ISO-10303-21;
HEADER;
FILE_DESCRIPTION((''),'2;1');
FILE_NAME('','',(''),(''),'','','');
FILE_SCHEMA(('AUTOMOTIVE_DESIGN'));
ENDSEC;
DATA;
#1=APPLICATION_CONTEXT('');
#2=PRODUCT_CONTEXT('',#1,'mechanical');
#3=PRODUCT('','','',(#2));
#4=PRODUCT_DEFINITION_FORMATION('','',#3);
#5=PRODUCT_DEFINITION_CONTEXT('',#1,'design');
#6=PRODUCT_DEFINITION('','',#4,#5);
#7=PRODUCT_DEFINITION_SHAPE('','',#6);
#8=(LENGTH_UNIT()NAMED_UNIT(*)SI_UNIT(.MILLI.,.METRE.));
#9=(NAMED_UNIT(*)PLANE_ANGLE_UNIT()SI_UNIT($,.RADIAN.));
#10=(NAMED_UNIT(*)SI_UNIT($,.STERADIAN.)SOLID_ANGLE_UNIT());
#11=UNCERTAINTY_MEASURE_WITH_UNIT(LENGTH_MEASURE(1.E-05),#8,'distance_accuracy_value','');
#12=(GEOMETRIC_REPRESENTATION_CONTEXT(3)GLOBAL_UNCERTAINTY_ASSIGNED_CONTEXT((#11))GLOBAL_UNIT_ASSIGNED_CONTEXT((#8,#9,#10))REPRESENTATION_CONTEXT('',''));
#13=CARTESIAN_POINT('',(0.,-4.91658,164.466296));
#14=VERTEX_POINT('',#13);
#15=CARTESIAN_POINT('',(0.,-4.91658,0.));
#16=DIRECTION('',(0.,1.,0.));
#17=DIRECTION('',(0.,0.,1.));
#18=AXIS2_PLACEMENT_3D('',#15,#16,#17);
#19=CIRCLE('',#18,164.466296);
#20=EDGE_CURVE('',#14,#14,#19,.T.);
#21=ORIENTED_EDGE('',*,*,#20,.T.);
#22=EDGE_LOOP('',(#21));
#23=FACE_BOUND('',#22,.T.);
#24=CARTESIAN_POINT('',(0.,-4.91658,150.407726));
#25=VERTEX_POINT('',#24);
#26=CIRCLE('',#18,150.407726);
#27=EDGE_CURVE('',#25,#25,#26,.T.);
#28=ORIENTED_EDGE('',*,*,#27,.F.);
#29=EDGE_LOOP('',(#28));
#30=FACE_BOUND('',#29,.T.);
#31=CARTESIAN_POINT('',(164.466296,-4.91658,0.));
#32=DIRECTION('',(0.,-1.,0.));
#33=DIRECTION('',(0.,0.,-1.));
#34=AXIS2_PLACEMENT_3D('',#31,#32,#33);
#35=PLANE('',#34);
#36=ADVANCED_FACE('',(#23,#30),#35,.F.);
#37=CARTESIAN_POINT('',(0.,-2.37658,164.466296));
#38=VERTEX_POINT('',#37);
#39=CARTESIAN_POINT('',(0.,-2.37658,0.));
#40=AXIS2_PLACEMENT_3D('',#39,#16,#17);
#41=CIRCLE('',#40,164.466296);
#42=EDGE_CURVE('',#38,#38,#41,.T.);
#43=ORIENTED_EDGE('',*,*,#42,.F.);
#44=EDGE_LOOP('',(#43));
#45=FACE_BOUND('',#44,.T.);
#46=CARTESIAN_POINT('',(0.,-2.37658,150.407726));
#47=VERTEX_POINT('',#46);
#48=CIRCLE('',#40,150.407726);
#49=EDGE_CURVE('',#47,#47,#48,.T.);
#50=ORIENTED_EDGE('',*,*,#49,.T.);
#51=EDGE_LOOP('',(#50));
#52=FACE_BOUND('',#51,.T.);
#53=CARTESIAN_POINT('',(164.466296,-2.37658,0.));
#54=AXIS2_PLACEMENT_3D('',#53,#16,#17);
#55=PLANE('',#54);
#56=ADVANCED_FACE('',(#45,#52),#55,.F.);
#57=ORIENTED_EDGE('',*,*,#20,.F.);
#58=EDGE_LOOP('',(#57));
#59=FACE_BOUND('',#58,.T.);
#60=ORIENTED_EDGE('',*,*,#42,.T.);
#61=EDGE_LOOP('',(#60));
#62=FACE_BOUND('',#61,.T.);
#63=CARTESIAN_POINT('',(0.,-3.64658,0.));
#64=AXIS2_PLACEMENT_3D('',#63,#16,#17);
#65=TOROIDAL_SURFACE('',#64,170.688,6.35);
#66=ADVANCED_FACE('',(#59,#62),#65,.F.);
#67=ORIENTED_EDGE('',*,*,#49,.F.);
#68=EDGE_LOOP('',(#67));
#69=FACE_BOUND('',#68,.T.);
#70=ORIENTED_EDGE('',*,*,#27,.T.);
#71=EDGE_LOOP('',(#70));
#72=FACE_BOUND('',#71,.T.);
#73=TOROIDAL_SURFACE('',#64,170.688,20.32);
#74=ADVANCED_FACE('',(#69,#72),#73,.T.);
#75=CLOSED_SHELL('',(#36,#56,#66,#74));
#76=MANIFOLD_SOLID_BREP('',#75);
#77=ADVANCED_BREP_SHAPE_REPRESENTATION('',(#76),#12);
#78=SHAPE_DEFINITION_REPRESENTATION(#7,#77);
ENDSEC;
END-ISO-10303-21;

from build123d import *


with BuildPart() as part:
    # Sketch1 → Revolve2 (revolve)
    with BuildSketch(Plane.XY, mode=Mode.PRIVATE) as revolve2_sk:
        with BuildLine():
            Line((164.466296053, -2.376580105), (150.407726333, -2.376580105))
            ThreePointArc((150.407726333, -2.376580105), (191.008, -3.646580105), (150.407726333, -4.916580105))
            Line((150.407726333, -4.916580105), (164.466296053, -4.916580105))
            ThreePointArc((164.466296053, -4.916580105), (177.038, -3.646580105), (164.466296053, -2.376580105))
        make_face()
    revolve(revolve2_sk.sketch.rotate(Axis((0, 65.671776781, 0), (0, -1, 0)), 90), axis=Axis((0, 65.671776781, 0), (0, -1, 0)))


solid = part.part
